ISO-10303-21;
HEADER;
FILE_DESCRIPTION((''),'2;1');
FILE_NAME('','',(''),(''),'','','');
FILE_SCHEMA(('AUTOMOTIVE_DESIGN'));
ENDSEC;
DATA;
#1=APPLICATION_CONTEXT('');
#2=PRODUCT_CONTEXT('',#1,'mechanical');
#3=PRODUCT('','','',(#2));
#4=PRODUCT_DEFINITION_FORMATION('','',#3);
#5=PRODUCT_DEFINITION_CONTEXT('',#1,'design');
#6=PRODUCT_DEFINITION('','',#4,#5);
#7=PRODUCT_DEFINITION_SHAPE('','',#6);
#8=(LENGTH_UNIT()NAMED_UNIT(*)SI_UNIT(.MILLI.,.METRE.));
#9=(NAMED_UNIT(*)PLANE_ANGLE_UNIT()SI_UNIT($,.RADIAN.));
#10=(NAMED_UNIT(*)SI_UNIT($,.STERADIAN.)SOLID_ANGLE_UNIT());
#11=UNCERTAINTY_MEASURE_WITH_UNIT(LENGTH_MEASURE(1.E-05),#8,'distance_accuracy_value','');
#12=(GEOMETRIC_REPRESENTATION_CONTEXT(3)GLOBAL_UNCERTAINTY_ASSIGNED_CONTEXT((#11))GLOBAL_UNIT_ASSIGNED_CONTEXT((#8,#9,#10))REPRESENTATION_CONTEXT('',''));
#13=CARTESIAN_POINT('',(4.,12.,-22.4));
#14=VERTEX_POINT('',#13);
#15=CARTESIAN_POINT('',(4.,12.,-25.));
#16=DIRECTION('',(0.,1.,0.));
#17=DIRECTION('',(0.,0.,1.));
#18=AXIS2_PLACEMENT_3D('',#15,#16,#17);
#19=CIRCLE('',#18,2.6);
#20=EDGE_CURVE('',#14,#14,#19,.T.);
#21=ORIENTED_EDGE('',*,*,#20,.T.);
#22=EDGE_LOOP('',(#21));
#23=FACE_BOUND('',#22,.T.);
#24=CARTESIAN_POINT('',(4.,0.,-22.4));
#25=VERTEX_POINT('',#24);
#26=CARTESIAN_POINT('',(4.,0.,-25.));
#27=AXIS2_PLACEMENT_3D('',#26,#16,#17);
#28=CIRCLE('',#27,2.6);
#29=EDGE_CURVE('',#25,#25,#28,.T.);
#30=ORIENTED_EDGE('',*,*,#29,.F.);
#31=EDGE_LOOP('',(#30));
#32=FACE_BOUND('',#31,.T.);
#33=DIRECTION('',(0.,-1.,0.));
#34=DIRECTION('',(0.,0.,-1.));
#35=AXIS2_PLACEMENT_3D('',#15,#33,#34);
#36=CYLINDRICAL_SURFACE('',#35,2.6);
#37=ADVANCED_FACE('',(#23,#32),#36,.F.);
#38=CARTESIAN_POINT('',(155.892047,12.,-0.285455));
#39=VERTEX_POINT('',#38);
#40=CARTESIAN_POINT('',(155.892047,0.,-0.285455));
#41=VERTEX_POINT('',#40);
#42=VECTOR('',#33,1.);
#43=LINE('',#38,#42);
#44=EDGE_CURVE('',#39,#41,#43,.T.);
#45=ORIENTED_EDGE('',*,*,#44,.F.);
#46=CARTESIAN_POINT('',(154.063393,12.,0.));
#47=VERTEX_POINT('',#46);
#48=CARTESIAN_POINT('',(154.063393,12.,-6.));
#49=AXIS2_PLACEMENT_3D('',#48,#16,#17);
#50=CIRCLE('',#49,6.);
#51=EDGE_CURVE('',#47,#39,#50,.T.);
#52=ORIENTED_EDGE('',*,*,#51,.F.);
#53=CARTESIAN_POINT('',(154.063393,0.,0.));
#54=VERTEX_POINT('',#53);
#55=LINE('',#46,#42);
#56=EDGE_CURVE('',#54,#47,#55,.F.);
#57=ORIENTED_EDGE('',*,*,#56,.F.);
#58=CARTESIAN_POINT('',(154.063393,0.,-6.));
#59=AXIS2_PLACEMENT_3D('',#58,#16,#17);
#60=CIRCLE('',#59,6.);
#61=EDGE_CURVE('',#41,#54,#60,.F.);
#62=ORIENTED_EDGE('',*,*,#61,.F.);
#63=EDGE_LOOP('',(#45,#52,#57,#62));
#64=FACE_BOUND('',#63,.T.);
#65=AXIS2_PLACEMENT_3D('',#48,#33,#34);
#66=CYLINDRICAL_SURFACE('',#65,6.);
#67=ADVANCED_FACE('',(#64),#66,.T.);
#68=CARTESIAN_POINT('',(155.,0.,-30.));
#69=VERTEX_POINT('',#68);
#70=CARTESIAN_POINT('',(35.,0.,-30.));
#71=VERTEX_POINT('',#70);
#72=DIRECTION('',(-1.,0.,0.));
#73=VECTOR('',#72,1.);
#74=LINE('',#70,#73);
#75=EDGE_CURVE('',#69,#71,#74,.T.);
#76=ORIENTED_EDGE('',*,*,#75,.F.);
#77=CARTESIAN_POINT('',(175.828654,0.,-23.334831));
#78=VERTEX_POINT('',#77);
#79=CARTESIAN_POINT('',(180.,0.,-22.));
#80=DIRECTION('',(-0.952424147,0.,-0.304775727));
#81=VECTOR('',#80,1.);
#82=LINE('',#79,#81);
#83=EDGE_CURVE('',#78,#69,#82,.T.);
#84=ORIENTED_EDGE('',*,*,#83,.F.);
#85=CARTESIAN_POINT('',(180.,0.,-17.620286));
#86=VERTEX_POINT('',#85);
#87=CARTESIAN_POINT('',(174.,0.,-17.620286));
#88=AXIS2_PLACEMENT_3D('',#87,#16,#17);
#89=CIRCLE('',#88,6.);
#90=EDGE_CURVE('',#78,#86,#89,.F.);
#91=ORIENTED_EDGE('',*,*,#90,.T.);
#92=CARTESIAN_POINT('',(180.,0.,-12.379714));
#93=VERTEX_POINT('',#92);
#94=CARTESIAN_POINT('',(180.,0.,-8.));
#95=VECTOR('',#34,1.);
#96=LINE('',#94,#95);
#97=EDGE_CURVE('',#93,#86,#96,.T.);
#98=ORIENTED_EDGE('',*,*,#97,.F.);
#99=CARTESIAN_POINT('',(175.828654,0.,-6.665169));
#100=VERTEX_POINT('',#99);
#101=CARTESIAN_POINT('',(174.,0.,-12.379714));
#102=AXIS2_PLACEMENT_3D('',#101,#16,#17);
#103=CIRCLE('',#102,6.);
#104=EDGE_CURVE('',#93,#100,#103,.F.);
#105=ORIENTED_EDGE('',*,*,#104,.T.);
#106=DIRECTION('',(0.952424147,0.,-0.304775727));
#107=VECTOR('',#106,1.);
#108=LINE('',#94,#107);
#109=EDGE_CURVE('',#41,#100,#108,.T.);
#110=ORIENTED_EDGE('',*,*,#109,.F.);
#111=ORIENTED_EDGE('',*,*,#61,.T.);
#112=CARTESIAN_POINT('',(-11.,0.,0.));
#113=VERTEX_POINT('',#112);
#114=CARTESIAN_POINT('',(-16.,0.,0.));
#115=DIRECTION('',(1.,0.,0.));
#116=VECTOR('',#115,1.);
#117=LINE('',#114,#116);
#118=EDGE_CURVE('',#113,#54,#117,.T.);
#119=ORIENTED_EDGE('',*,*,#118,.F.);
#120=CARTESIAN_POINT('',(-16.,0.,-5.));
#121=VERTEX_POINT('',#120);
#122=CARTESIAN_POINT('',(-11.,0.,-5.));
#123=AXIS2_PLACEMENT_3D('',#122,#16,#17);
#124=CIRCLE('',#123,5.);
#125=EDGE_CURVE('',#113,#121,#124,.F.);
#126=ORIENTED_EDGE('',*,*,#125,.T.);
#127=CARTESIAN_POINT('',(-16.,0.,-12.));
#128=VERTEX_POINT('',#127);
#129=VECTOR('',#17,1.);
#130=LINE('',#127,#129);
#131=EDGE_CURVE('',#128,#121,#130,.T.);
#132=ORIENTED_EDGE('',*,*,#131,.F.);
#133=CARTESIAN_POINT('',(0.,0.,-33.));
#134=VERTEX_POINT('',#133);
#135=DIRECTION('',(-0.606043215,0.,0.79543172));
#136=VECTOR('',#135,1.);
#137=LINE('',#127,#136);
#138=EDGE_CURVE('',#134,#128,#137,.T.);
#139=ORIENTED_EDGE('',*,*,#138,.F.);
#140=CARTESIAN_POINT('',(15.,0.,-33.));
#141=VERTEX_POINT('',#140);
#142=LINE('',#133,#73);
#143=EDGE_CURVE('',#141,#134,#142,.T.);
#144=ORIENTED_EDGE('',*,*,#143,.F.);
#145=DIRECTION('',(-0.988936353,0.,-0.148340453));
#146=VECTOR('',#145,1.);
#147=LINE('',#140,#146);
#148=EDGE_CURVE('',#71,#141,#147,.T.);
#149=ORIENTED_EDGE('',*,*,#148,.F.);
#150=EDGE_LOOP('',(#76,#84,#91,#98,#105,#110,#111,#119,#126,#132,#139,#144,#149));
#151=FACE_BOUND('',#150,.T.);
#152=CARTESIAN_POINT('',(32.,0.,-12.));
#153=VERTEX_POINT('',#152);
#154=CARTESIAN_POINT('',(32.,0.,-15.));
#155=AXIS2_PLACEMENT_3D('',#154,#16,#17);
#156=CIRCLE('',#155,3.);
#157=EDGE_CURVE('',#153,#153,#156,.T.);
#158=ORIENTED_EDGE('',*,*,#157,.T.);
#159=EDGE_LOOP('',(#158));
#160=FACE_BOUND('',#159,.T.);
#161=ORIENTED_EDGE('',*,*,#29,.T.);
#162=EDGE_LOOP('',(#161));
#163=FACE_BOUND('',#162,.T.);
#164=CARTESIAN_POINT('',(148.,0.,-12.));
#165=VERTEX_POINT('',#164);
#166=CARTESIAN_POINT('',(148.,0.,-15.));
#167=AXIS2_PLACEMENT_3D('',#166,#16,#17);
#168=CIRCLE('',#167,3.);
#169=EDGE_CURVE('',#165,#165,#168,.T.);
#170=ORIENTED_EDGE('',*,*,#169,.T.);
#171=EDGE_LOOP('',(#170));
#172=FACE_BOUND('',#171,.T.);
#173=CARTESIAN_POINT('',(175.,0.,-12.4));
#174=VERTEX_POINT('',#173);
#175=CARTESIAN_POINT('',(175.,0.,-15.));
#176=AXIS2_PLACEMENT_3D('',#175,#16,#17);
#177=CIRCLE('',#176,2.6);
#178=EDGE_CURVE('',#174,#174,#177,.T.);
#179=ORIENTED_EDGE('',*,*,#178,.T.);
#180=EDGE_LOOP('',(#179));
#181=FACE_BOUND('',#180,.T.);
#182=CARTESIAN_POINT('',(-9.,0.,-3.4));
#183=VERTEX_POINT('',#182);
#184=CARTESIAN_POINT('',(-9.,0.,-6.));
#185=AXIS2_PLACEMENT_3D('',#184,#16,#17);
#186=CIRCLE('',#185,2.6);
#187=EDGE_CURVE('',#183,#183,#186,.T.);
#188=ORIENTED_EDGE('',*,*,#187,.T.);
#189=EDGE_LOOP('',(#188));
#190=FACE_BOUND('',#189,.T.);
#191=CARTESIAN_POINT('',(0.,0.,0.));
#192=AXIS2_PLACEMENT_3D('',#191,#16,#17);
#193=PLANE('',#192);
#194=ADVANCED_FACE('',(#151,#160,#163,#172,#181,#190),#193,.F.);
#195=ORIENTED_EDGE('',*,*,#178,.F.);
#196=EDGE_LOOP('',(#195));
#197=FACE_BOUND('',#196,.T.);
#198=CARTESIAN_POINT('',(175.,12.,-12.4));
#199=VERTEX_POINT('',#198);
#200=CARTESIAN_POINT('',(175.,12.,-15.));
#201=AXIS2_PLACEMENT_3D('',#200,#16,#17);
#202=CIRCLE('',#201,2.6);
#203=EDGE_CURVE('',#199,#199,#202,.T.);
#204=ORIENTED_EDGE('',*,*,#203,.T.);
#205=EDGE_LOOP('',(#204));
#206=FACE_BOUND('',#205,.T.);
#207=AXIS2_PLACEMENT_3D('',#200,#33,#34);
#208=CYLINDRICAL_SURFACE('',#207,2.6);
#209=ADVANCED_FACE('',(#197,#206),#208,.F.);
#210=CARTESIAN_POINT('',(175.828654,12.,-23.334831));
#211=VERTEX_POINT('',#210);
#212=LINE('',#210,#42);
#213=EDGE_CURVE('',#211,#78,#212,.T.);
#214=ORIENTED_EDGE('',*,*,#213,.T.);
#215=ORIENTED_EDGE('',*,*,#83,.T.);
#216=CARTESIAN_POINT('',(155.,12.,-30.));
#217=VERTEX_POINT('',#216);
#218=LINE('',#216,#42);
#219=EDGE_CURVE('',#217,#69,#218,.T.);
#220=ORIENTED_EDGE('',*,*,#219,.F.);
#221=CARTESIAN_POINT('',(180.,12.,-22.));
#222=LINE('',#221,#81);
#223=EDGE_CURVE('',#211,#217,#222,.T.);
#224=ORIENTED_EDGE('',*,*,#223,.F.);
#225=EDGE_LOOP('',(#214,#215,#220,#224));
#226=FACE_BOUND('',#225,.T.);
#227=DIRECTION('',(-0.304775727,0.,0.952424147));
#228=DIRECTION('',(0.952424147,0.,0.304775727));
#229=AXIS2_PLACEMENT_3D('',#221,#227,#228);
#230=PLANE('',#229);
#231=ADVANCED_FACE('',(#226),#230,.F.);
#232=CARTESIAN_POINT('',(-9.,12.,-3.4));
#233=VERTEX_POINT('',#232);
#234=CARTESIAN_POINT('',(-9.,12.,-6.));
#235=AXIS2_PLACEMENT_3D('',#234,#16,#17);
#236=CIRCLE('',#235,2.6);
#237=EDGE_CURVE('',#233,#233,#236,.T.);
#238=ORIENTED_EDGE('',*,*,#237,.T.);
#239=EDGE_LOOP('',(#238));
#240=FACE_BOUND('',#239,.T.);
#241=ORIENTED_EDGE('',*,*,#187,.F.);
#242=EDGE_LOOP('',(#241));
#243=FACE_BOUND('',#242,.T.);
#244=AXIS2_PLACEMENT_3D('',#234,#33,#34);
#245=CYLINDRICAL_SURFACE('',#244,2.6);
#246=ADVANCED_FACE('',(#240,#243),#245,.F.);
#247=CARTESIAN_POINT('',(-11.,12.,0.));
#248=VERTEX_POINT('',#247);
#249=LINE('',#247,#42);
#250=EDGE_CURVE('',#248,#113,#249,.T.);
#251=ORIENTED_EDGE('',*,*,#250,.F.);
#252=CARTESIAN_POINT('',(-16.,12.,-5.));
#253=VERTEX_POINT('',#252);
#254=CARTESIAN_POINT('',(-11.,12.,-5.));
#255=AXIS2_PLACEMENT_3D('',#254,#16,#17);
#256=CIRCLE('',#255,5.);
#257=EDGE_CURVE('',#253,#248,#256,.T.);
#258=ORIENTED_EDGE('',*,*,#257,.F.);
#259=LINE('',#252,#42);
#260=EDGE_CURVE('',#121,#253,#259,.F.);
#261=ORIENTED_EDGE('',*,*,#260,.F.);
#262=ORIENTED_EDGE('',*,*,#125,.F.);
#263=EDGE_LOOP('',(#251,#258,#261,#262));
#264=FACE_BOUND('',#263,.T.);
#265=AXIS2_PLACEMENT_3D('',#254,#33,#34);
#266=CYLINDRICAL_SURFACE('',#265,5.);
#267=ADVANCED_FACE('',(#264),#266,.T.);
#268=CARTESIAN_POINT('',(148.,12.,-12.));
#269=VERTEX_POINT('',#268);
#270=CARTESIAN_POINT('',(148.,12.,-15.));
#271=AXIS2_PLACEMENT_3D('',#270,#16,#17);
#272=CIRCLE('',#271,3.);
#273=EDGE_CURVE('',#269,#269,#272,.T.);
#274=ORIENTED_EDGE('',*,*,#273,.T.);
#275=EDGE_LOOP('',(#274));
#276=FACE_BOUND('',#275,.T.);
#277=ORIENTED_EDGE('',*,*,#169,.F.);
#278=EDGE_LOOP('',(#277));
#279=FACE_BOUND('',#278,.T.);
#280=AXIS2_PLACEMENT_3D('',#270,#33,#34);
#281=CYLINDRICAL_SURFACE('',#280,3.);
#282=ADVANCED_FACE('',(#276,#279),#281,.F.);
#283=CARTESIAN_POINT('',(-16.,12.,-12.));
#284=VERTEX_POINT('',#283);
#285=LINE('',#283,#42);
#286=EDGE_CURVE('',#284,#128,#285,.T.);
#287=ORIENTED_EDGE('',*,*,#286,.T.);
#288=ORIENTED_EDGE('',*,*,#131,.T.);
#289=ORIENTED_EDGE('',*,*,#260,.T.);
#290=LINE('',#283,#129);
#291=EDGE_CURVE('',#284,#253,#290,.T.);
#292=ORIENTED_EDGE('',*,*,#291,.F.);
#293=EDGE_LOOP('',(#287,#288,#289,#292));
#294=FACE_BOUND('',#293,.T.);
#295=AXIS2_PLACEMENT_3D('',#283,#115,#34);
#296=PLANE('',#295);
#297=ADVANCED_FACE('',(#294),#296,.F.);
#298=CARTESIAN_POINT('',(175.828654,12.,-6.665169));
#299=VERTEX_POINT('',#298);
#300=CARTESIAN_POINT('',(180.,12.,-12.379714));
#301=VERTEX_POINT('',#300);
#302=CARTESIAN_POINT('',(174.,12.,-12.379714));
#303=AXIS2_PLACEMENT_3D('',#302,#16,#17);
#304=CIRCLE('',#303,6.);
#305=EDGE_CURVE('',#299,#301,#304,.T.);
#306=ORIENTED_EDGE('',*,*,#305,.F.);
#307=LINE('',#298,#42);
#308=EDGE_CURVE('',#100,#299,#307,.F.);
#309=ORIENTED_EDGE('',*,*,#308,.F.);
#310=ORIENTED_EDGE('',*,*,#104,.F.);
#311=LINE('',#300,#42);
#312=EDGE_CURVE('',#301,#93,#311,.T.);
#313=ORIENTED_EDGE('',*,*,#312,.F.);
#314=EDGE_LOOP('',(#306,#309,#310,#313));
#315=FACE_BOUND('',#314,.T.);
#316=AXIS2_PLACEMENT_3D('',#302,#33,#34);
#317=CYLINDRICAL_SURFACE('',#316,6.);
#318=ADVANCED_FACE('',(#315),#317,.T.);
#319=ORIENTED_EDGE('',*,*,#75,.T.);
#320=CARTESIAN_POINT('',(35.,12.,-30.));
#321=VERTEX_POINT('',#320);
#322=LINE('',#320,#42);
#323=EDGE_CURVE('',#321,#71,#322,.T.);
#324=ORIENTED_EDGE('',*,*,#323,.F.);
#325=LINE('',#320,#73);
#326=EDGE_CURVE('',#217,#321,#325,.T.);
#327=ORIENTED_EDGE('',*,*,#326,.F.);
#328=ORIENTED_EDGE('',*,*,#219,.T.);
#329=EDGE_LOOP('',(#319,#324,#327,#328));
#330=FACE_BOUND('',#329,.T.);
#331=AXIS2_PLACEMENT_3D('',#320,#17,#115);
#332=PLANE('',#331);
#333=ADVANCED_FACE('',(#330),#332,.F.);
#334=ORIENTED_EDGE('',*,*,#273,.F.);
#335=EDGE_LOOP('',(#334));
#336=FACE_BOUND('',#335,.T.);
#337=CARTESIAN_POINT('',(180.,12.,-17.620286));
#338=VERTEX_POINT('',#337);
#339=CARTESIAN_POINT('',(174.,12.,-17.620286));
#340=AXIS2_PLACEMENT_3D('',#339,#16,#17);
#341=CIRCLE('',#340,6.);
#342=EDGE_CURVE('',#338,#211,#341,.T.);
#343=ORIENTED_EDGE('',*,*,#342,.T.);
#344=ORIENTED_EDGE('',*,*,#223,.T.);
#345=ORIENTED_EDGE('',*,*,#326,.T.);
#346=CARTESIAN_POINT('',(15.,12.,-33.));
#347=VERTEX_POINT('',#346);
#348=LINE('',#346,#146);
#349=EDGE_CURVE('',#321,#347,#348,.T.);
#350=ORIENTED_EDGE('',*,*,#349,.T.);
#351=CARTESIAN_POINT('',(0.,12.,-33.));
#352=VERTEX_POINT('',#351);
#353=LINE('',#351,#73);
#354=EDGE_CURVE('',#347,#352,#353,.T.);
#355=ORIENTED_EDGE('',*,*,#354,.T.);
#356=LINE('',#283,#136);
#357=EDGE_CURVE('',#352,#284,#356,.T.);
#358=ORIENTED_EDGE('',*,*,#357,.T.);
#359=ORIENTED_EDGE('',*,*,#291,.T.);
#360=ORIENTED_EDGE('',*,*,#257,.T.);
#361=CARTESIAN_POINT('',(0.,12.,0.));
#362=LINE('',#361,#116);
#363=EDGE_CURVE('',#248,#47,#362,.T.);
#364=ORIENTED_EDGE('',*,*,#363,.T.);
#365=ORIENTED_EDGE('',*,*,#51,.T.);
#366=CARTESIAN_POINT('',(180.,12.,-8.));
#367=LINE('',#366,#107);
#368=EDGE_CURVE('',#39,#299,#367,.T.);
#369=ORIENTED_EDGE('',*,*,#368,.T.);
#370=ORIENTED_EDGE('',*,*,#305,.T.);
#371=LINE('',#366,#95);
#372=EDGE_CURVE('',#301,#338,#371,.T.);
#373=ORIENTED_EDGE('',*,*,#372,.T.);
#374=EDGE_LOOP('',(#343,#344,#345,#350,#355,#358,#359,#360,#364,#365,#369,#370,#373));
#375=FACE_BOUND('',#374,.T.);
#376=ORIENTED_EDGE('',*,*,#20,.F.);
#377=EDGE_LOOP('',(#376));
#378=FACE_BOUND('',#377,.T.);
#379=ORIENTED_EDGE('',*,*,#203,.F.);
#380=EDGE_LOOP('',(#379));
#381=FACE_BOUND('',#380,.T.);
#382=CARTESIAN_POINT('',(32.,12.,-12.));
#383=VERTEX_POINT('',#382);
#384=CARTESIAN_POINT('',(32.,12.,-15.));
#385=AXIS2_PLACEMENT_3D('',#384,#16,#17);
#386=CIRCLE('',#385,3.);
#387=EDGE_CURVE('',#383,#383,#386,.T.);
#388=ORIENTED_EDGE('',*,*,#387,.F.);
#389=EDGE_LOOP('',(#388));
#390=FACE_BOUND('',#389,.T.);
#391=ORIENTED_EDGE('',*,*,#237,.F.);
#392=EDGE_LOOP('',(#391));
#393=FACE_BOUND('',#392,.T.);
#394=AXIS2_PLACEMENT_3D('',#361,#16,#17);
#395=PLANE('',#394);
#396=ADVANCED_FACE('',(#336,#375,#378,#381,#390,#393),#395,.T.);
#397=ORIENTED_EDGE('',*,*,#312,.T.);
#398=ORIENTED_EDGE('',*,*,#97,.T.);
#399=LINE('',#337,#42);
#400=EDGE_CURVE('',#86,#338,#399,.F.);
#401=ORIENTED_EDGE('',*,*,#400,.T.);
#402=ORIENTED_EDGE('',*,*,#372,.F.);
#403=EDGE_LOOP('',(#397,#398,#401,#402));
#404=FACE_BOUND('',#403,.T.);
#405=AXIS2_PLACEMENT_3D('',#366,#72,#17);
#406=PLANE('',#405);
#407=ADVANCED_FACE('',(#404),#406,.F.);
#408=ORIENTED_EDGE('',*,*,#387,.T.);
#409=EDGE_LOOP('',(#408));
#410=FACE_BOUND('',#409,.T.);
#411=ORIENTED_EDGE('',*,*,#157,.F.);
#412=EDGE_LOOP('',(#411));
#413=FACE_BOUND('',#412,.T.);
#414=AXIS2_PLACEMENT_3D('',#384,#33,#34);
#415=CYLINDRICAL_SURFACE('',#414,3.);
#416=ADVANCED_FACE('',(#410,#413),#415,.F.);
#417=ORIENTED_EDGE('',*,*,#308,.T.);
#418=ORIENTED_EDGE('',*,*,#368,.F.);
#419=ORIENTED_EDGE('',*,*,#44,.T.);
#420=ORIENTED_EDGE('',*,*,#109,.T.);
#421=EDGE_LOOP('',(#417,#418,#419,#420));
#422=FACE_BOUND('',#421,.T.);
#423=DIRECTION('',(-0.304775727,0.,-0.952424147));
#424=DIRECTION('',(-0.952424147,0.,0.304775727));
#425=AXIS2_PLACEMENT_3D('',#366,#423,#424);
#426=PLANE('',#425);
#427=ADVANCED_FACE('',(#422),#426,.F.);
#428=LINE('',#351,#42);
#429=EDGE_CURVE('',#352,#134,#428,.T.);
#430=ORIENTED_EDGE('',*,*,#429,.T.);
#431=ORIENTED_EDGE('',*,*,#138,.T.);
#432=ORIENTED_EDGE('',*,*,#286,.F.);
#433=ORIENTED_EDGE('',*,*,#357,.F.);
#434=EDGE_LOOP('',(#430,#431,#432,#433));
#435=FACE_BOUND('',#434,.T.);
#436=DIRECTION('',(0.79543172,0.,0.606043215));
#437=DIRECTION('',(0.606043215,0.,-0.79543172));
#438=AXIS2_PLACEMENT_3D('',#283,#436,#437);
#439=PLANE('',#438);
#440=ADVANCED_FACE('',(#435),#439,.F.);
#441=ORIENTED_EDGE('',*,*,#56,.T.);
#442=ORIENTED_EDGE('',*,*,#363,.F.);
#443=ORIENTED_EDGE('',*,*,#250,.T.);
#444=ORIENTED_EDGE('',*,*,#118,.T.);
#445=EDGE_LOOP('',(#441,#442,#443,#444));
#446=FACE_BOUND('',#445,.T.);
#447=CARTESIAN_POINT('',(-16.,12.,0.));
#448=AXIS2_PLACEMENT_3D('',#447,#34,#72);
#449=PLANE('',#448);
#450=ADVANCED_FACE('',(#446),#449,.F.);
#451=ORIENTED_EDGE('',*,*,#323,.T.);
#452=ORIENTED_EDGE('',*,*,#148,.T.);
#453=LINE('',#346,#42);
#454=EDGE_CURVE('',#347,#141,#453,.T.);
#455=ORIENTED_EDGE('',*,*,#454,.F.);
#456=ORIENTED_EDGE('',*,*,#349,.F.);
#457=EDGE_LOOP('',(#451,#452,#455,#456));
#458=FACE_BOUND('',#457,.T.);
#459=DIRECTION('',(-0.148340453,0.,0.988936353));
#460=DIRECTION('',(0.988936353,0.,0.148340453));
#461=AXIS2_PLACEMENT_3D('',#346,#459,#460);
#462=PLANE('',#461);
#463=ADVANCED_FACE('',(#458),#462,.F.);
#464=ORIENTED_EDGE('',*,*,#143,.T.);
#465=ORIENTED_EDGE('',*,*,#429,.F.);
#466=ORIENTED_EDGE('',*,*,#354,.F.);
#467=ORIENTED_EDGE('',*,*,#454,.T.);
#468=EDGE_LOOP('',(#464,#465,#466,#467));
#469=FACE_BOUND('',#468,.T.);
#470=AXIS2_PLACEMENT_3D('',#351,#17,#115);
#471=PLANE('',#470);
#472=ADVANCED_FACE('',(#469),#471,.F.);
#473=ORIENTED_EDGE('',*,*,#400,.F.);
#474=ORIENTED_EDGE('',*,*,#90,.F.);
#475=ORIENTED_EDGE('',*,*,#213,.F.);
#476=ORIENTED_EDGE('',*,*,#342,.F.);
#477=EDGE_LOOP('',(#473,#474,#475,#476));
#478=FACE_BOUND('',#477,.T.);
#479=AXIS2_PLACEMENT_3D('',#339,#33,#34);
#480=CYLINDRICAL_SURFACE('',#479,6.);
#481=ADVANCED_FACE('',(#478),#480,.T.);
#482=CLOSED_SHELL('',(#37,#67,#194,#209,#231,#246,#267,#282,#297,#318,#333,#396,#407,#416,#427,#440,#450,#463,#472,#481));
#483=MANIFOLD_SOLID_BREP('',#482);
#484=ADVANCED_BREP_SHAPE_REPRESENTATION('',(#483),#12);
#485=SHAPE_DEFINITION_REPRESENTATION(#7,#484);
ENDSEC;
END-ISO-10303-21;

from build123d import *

# Parameters (mm, degrees)
SKETCH1_R           = 2.6
SKETCH1_R_2         = 3
BOSS_EXTRUDE1_DEPTH = 12
FILLET1_R           = 5
FILLET2_R           = 6


with BuildPart() as part:
    # Sketch1 → Boss-Extrude1 (new body)
    with BuildSketch(Plane(origin=(0, 0, 0), x_dir=(1, 0, 0), z_dir=(0, 1, 0))):
        Polygon((180, 22), (155, 30), (35, 30), (15, 33), (0, 33), (-16, 12), (-16, 0), (0, 0), (155, 0), (180, 8), align=None)
        with Locations((-9, 6)):
            Circle(SKETCH1_R, mode=Mode.SUBTRACT)
        with Locations((148, 15)):
            Circle(SKETCH1_R_2, mode=Mode.SUBTRACT)
        with Locations((32, 15)):
            Circle(SKETCH1_R_2, mode=Mode.SUBTRACT)
        with Locations((175, 15)):
            Circle(SKETCH1_R, mode=Mode.SUBTRACT)
        with Locations((4, 25)):
            Circle(SKETCH1_R, mode=Mode.SUBTRACT)
    extrude(amount=BOSS_EXTRUDE1_DEPTH)

    # Fillet1
    fillet1_edges = [part.edges().sort_by_distance(p)[0] for p in [
        (-16, 6, 0),
    ]]
    fillet(fillet1_edges, radius=FILLET1_R)

    # Fillet2
    fillet2_edges = [part.edges().sort_by_distance(p)[0] for p in [
        (180, 6, -22),
        (180, 6, -8),
        (155, 6, 0),
    ]]
    fillet(fillet2_edges, radius=FILLET2_R)


solid = part.part
